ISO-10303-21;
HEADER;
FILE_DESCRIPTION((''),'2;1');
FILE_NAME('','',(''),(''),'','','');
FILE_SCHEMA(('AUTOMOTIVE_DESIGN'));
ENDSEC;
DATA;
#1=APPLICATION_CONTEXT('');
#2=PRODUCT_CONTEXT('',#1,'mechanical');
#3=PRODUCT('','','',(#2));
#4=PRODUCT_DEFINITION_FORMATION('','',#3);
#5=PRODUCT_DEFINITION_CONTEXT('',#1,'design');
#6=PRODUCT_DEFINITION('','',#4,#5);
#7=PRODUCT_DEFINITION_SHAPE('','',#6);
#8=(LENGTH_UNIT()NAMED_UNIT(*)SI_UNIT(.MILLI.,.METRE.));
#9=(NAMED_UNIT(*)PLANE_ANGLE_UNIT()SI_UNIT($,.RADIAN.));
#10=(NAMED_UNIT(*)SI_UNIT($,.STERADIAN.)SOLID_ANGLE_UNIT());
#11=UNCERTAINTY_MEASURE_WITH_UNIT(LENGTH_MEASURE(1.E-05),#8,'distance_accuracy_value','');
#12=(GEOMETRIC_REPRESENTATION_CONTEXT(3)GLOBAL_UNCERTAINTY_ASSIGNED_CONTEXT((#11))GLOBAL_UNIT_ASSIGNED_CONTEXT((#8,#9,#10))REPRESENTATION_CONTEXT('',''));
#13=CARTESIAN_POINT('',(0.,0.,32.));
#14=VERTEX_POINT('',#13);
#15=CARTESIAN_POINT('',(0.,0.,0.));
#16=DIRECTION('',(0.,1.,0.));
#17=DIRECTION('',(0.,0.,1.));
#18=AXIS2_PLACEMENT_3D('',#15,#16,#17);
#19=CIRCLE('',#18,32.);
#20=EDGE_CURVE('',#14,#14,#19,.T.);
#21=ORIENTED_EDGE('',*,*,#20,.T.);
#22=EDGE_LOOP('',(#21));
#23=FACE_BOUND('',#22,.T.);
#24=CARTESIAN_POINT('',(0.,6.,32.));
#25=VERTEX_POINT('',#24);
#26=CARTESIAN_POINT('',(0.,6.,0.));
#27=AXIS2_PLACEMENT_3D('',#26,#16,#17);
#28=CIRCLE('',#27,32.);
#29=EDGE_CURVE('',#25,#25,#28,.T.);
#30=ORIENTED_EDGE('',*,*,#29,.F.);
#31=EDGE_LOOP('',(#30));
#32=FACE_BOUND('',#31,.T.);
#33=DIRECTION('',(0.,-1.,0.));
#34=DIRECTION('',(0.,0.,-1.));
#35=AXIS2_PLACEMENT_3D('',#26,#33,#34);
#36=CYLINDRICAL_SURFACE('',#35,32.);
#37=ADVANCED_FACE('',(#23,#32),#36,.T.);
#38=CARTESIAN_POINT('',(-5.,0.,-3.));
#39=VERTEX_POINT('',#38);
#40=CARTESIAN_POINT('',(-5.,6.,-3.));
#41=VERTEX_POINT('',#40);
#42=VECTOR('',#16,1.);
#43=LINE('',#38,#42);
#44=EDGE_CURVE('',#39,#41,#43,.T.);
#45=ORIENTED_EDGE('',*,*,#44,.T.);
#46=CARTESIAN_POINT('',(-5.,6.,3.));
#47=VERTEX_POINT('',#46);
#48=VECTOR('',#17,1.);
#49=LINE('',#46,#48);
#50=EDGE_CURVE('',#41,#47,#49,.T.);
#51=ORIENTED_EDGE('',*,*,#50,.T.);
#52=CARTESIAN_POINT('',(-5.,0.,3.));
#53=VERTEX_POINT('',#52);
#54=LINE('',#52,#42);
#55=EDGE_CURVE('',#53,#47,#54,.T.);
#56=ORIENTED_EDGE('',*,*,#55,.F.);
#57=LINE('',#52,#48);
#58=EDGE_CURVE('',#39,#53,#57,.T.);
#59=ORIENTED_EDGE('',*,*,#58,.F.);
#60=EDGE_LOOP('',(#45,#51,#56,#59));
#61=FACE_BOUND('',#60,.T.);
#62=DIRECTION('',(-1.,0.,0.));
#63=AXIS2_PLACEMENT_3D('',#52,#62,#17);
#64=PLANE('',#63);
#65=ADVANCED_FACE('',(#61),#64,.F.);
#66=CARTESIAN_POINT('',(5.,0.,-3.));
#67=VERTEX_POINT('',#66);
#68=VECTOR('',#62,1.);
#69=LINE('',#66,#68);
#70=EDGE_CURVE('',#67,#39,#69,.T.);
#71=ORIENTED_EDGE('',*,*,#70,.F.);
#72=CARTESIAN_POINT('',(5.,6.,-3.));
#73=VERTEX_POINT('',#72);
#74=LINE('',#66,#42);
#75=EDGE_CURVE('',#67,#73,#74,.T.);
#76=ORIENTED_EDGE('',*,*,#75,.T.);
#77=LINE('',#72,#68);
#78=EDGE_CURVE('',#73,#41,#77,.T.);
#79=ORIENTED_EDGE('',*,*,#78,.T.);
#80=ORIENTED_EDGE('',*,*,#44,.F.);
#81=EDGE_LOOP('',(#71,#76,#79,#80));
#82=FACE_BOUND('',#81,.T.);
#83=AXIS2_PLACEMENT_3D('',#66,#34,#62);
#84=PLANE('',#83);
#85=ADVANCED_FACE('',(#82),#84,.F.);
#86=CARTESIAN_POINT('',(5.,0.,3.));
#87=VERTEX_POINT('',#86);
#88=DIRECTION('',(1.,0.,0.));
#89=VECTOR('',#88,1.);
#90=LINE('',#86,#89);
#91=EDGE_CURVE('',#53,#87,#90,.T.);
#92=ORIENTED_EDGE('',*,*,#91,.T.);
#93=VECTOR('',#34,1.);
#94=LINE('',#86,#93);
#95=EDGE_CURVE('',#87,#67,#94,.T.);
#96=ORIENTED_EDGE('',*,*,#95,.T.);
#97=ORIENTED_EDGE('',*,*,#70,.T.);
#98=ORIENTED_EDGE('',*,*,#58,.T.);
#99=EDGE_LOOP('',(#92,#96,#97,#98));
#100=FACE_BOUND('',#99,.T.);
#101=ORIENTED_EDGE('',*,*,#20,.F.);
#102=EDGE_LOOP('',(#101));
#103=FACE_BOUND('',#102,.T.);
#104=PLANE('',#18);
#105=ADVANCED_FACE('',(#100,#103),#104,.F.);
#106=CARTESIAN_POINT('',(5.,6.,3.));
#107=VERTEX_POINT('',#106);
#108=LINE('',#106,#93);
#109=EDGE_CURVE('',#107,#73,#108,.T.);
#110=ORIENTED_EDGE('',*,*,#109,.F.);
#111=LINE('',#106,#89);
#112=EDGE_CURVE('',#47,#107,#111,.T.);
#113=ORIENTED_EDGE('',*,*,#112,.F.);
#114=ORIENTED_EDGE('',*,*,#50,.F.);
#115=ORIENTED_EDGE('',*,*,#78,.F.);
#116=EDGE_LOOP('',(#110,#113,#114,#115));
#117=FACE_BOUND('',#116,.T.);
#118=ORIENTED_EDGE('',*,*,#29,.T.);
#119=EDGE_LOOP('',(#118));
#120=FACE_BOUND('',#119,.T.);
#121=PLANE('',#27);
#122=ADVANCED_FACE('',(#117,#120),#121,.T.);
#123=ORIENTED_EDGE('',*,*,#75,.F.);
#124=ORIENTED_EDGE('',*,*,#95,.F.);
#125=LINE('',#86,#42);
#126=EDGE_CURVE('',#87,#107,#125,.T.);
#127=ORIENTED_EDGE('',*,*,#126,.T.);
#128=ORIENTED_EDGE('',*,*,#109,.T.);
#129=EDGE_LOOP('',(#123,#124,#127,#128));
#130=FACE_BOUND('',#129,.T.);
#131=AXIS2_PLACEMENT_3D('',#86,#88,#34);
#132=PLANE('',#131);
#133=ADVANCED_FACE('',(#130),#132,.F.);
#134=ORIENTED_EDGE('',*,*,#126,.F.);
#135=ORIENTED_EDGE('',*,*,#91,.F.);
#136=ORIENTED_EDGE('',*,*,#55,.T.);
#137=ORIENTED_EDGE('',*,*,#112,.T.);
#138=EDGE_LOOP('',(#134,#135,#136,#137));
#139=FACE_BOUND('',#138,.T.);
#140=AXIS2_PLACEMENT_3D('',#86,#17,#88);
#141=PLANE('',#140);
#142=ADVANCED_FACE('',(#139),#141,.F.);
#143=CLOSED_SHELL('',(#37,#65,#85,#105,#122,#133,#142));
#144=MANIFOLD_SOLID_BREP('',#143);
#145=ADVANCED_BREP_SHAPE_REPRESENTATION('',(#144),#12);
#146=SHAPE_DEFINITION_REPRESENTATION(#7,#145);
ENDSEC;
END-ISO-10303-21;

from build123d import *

# Parameters (mm, degrees)
ESBO_O1_R                = 32
RESSALTO_EXTRUS_O1_DEPTH = 6
ESBO_O2_W                = 10
ESBO_O2_H                = 6
CORTE_EXTRUS_O1_DEPTH    = 6


with BuildPart() as part:
    # Esboço1 → Ressalto-extrusão1 (new body)
    with BuildSketch(Plane(origin=(0, 0, 0), x_dir=(1, 0, 0), z_dir=(0, 1, 0))):
        with Locations(Location((0, 0, 0), (0, 0, 270))):
            Circle(ESBO_O1_R)
    extrude(amount=RESSALTO_EXTRUS_O1_DEPTH)

    # Esboço2 → Corte-extrusão1 (cut)
    with BuildSketch(Plane(origin=(0, 6, 0), x_dir=(1, 0, 0), z_dir=(0, 1, 0))):
        Rectangle(ESBO_O2_W, ESBO_O2_H)
    extrude(amount=-CORTE_EXTRUS_O1_DEPTH, mode=Mode.SUBTRACT)


solid = part.part
